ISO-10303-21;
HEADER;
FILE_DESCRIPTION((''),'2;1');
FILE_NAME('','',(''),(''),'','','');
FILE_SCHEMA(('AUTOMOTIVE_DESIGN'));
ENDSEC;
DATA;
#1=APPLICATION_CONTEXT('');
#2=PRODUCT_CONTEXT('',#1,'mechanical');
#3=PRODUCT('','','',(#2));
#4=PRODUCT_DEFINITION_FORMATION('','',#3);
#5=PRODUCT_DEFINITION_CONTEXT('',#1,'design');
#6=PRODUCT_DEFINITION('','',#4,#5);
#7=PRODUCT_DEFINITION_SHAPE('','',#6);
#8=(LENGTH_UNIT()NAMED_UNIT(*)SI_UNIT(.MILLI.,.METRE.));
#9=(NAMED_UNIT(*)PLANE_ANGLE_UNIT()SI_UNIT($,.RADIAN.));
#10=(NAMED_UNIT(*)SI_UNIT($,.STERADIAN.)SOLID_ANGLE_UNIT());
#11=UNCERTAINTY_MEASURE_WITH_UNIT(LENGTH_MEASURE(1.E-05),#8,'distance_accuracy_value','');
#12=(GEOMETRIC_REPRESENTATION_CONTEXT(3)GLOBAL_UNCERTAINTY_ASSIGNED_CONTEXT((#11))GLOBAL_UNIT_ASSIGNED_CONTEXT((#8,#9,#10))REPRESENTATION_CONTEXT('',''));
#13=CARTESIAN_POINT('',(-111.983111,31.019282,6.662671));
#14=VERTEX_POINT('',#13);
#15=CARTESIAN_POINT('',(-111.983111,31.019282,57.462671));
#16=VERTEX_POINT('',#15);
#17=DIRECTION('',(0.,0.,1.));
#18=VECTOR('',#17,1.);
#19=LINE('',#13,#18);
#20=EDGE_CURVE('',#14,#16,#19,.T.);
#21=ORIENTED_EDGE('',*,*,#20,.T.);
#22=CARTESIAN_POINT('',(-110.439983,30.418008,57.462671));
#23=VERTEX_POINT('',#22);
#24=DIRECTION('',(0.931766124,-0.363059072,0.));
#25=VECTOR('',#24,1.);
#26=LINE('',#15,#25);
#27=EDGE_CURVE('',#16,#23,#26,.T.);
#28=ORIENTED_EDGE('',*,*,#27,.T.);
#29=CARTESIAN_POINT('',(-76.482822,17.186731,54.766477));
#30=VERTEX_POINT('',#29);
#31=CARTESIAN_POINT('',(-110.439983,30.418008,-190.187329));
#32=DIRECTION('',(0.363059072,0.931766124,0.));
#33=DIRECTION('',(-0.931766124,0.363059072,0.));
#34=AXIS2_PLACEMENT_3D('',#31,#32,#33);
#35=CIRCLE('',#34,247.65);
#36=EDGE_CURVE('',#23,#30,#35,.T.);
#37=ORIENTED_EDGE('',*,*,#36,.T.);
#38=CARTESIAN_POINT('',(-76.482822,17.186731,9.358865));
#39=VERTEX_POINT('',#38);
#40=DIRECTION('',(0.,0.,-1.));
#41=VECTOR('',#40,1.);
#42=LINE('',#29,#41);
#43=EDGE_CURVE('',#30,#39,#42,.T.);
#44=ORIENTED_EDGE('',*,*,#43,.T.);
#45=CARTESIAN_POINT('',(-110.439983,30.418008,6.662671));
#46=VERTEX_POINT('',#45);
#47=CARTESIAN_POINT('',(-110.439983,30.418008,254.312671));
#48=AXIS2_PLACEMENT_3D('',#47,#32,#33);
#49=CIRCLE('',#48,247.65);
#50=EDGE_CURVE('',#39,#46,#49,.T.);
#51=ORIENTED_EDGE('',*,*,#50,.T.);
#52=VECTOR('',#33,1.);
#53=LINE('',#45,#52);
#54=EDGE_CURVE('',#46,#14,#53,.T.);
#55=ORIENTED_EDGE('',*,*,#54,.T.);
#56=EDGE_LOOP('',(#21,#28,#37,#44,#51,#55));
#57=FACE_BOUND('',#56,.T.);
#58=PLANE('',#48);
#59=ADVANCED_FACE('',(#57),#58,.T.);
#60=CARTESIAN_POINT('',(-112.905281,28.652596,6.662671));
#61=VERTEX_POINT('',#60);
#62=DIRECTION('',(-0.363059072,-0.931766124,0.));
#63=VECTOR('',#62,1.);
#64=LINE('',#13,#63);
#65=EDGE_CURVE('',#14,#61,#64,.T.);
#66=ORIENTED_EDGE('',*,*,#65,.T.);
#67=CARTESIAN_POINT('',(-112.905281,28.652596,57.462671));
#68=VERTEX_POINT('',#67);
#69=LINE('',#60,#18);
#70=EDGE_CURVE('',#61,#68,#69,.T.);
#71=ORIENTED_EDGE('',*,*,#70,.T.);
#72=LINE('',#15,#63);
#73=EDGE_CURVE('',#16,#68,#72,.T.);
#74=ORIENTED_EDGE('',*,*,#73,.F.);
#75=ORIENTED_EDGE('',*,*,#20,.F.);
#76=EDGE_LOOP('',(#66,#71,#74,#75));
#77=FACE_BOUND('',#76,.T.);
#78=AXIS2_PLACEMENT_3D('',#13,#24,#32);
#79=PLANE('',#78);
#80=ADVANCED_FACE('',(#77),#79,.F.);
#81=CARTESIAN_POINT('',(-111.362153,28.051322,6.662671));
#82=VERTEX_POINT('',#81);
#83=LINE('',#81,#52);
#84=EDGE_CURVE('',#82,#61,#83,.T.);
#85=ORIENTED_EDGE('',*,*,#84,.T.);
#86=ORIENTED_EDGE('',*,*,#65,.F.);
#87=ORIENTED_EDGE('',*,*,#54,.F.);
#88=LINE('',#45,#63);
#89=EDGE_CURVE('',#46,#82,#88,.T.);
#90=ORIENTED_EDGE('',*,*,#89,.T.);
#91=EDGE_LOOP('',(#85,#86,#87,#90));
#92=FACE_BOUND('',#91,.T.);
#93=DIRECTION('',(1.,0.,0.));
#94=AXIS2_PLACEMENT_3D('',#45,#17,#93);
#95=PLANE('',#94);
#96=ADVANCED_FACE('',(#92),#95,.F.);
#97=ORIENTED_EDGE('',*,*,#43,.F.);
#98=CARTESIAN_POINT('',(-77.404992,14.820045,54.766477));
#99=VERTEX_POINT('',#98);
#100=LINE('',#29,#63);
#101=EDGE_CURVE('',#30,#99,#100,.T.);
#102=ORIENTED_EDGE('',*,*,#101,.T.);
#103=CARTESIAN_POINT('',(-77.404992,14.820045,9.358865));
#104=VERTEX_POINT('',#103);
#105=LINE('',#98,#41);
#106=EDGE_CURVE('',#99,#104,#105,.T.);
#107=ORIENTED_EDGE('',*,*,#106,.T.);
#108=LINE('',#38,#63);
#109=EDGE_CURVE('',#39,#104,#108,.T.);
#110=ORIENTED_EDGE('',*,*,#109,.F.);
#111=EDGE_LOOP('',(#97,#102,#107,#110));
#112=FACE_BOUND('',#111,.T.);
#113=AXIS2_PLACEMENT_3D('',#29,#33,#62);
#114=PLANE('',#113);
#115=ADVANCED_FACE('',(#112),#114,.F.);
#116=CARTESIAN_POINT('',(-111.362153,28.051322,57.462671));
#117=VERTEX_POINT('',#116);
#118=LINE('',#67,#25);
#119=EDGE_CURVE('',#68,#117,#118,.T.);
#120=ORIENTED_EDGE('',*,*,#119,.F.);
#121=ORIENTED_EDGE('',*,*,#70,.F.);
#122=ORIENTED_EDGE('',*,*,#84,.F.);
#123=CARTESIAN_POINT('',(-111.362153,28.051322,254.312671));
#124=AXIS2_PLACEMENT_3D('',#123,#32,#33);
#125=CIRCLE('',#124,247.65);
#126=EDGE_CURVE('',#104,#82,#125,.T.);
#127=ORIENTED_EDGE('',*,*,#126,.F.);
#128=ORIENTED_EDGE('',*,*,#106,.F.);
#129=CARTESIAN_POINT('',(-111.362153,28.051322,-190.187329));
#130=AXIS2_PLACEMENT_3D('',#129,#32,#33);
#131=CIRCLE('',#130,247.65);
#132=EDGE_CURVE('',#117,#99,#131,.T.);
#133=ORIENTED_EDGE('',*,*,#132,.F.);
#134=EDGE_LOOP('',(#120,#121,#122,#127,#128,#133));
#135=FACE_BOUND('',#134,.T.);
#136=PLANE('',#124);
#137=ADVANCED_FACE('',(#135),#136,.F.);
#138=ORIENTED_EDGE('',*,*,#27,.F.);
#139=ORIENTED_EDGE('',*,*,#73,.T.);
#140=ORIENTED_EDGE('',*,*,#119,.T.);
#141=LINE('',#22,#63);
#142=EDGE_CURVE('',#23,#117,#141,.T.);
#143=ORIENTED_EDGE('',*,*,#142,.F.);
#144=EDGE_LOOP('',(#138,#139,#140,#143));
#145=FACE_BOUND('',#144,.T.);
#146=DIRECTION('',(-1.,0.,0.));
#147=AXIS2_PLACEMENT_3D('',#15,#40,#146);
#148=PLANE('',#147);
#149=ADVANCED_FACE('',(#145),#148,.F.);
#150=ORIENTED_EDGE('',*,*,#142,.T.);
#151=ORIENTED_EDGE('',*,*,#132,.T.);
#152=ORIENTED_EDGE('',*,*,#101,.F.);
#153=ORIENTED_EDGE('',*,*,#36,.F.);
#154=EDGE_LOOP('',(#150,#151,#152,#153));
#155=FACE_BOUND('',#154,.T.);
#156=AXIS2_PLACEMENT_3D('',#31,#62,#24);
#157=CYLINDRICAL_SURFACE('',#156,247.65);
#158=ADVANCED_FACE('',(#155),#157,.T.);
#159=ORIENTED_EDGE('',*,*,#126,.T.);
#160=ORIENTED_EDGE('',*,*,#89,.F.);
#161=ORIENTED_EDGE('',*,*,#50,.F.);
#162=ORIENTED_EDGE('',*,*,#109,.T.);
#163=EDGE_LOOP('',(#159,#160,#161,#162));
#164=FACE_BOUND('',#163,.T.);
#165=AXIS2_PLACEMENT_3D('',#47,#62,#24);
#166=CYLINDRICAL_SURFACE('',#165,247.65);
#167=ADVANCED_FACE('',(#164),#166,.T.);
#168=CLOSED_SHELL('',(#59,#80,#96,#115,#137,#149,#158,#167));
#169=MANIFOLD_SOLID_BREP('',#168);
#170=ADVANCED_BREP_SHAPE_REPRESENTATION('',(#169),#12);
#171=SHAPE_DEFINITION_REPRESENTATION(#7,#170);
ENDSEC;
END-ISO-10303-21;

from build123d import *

# Parameters (mm, degrees)
BOSS_EXTRUDE1_DEPTH = 2.54


with BuildPart() as part:
    # Sketch2 → Boss-Extrude1 (new body)
    with BuildSketch(Plane(origin=(-5.189482347, -13.318449337, 0), x_dir=(0.9317661243126444, -0.363059071754713, 0), z_dir=(0.363059071754713, 0.9317661243126444, 0))):
        with BuildLine():
            Line((-113.947768075, -6.662671444), (-115.603901094, -6.662671444))
            Line((-115.603901094, -6.662671444), (-115.603901094, -57.462671444))
            Line((-115.603901094, -57.462671444), (-113.947768075, -57.462671444))
            ThreePointArc((-113.947768075, -57.462671444), (-95.676035106, -56.787703126), (-77.503901094, -54.766477415))
            Line((-77.503901094, -54.766477415), (-77.503901094, -9.358865474))
            ThreePointArc((-77.503901094, -9.358865474), (-95.676035106, -7.337639762), (-113.947768075, -6.662671444))
        make_face()
    extrude(amount=BOSS_EXTRUDE1_DEPTH)


solid = part.part
